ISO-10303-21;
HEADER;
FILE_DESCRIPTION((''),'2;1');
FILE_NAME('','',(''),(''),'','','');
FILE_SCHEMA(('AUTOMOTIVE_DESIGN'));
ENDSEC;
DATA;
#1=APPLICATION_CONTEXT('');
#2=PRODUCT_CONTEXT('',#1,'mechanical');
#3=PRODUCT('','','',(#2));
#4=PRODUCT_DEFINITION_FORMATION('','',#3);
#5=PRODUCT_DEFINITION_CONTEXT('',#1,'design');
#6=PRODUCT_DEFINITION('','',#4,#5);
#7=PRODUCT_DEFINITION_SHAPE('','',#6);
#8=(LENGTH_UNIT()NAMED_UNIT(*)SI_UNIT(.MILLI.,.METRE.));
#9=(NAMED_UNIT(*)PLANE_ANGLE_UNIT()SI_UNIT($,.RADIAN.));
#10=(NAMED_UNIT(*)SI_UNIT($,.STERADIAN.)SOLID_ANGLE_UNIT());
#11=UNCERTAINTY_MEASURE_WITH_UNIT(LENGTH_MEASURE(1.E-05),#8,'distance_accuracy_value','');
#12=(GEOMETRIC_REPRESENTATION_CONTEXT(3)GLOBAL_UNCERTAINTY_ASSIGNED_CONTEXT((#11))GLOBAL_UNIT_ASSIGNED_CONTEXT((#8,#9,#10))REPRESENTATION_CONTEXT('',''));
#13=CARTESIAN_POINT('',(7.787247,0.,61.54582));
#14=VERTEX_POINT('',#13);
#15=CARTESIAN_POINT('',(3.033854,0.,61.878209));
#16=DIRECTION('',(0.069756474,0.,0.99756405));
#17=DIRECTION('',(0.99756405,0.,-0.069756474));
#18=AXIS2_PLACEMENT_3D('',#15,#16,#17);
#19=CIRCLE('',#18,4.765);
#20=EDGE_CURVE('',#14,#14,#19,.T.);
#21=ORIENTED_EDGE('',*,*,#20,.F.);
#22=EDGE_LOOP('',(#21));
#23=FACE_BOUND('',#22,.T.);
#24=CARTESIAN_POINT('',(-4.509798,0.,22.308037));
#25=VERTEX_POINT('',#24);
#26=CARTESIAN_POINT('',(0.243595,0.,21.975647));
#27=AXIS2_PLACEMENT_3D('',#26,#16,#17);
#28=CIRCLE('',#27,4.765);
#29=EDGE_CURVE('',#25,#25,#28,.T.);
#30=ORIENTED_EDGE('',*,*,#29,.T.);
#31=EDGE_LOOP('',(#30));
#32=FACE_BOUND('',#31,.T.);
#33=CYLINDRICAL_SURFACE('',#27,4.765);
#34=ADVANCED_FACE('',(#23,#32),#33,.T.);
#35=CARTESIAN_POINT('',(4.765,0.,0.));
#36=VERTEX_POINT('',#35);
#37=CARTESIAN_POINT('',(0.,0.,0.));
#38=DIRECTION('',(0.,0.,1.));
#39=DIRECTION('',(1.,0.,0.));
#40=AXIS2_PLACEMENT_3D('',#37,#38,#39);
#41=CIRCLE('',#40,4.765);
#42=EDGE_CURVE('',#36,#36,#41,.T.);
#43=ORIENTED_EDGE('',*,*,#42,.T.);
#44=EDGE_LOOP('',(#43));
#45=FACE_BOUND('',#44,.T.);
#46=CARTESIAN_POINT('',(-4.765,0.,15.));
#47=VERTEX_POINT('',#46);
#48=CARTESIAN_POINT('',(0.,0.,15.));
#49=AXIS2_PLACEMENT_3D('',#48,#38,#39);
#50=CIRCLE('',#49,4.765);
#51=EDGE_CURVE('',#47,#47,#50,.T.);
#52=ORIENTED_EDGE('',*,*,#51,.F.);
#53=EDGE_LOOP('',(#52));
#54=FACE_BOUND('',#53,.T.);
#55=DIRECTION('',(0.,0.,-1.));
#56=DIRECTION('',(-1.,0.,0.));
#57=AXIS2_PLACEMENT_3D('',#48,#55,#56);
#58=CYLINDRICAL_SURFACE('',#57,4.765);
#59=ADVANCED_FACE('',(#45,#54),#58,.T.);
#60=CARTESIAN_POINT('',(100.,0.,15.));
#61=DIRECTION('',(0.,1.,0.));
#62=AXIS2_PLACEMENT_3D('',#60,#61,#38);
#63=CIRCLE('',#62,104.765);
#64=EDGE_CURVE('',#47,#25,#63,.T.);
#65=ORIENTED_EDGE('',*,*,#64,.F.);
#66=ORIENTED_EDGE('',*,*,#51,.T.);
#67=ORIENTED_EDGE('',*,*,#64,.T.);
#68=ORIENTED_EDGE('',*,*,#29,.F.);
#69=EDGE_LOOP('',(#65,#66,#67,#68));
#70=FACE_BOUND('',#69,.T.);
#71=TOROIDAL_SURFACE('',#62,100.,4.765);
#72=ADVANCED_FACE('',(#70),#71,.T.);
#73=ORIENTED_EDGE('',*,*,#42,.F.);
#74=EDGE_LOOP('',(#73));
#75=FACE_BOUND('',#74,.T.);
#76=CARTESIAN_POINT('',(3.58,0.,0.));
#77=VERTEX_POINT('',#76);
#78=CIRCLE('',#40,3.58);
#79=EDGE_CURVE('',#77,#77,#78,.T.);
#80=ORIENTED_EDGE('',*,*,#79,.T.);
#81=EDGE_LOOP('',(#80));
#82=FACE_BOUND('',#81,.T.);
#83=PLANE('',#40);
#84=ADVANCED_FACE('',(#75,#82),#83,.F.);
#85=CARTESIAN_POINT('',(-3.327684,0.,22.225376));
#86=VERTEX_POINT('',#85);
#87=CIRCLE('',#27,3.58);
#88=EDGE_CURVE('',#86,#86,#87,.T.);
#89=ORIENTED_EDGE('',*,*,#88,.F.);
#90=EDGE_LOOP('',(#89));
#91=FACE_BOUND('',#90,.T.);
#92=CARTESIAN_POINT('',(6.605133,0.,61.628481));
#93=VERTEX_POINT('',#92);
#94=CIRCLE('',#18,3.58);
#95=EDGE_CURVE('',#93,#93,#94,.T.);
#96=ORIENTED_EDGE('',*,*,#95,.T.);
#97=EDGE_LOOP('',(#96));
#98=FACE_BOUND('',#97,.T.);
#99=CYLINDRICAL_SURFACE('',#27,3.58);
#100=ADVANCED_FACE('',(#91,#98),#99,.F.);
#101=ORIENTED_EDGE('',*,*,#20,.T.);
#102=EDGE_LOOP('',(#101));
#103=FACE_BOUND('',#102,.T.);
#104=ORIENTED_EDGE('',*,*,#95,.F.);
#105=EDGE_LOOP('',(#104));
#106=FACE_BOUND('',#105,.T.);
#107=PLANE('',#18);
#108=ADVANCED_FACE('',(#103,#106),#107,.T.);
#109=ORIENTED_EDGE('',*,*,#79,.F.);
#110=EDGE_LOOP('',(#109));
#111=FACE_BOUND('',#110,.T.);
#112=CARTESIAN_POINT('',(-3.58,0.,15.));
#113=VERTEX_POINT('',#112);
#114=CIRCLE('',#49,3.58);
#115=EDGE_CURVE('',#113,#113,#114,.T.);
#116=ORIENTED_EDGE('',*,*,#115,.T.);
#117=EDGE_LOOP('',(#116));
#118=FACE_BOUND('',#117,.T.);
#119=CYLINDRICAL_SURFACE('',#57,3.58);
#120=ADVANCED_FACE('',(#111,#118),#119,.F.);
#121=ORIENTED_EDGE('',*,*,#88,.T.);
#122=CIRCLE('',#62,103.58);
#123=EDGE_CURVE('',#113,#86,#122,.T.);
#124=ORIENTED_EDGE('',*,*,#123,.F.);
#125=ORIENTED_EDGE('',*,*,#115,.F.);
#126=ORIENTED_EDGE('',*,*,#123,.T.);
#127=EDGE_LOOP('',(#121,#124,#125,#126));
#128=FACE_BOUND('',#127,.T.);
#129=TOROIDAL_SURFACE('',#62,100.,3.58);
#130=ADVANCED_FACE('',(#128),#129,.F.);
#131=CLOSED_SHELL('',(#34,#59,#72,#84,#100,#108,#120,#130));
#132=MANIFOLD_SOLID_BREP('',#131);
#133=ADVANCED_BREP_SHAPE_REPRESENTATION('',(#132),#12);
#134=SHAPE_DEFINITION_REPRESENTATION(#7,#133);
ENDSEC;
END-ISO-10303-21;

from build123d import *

# Parameters (mm, degrees)
SKETCH_1_R   = 4.765
SKETCH_1_R_2 = 3.58


with BuildPart() as part:
    # По траектории1: sweep along a curve in space
    with BuildLine() as sweep_1_path:
        Line((0, 0, 0), (0, 0, 15))
        ThreePointArc((0, 0, 15), (0.060917298, 0, 18.48994967), (0.243594974, 0, 21.975647374))
        Line((0.243594974, 0, 21.975647374), (3.033853924, 0, 61.878209385))
    # Эскиз1 → По траектории1 (sweep)
    with BuildSketch(Plane.XY):
        Circle(SKETCH_1_R)
        Circle(SKETCH_1_R_2, mode=Mode.SUBTRACT)
    sweep(path=sweep_1_path.line)


solid = part.part
